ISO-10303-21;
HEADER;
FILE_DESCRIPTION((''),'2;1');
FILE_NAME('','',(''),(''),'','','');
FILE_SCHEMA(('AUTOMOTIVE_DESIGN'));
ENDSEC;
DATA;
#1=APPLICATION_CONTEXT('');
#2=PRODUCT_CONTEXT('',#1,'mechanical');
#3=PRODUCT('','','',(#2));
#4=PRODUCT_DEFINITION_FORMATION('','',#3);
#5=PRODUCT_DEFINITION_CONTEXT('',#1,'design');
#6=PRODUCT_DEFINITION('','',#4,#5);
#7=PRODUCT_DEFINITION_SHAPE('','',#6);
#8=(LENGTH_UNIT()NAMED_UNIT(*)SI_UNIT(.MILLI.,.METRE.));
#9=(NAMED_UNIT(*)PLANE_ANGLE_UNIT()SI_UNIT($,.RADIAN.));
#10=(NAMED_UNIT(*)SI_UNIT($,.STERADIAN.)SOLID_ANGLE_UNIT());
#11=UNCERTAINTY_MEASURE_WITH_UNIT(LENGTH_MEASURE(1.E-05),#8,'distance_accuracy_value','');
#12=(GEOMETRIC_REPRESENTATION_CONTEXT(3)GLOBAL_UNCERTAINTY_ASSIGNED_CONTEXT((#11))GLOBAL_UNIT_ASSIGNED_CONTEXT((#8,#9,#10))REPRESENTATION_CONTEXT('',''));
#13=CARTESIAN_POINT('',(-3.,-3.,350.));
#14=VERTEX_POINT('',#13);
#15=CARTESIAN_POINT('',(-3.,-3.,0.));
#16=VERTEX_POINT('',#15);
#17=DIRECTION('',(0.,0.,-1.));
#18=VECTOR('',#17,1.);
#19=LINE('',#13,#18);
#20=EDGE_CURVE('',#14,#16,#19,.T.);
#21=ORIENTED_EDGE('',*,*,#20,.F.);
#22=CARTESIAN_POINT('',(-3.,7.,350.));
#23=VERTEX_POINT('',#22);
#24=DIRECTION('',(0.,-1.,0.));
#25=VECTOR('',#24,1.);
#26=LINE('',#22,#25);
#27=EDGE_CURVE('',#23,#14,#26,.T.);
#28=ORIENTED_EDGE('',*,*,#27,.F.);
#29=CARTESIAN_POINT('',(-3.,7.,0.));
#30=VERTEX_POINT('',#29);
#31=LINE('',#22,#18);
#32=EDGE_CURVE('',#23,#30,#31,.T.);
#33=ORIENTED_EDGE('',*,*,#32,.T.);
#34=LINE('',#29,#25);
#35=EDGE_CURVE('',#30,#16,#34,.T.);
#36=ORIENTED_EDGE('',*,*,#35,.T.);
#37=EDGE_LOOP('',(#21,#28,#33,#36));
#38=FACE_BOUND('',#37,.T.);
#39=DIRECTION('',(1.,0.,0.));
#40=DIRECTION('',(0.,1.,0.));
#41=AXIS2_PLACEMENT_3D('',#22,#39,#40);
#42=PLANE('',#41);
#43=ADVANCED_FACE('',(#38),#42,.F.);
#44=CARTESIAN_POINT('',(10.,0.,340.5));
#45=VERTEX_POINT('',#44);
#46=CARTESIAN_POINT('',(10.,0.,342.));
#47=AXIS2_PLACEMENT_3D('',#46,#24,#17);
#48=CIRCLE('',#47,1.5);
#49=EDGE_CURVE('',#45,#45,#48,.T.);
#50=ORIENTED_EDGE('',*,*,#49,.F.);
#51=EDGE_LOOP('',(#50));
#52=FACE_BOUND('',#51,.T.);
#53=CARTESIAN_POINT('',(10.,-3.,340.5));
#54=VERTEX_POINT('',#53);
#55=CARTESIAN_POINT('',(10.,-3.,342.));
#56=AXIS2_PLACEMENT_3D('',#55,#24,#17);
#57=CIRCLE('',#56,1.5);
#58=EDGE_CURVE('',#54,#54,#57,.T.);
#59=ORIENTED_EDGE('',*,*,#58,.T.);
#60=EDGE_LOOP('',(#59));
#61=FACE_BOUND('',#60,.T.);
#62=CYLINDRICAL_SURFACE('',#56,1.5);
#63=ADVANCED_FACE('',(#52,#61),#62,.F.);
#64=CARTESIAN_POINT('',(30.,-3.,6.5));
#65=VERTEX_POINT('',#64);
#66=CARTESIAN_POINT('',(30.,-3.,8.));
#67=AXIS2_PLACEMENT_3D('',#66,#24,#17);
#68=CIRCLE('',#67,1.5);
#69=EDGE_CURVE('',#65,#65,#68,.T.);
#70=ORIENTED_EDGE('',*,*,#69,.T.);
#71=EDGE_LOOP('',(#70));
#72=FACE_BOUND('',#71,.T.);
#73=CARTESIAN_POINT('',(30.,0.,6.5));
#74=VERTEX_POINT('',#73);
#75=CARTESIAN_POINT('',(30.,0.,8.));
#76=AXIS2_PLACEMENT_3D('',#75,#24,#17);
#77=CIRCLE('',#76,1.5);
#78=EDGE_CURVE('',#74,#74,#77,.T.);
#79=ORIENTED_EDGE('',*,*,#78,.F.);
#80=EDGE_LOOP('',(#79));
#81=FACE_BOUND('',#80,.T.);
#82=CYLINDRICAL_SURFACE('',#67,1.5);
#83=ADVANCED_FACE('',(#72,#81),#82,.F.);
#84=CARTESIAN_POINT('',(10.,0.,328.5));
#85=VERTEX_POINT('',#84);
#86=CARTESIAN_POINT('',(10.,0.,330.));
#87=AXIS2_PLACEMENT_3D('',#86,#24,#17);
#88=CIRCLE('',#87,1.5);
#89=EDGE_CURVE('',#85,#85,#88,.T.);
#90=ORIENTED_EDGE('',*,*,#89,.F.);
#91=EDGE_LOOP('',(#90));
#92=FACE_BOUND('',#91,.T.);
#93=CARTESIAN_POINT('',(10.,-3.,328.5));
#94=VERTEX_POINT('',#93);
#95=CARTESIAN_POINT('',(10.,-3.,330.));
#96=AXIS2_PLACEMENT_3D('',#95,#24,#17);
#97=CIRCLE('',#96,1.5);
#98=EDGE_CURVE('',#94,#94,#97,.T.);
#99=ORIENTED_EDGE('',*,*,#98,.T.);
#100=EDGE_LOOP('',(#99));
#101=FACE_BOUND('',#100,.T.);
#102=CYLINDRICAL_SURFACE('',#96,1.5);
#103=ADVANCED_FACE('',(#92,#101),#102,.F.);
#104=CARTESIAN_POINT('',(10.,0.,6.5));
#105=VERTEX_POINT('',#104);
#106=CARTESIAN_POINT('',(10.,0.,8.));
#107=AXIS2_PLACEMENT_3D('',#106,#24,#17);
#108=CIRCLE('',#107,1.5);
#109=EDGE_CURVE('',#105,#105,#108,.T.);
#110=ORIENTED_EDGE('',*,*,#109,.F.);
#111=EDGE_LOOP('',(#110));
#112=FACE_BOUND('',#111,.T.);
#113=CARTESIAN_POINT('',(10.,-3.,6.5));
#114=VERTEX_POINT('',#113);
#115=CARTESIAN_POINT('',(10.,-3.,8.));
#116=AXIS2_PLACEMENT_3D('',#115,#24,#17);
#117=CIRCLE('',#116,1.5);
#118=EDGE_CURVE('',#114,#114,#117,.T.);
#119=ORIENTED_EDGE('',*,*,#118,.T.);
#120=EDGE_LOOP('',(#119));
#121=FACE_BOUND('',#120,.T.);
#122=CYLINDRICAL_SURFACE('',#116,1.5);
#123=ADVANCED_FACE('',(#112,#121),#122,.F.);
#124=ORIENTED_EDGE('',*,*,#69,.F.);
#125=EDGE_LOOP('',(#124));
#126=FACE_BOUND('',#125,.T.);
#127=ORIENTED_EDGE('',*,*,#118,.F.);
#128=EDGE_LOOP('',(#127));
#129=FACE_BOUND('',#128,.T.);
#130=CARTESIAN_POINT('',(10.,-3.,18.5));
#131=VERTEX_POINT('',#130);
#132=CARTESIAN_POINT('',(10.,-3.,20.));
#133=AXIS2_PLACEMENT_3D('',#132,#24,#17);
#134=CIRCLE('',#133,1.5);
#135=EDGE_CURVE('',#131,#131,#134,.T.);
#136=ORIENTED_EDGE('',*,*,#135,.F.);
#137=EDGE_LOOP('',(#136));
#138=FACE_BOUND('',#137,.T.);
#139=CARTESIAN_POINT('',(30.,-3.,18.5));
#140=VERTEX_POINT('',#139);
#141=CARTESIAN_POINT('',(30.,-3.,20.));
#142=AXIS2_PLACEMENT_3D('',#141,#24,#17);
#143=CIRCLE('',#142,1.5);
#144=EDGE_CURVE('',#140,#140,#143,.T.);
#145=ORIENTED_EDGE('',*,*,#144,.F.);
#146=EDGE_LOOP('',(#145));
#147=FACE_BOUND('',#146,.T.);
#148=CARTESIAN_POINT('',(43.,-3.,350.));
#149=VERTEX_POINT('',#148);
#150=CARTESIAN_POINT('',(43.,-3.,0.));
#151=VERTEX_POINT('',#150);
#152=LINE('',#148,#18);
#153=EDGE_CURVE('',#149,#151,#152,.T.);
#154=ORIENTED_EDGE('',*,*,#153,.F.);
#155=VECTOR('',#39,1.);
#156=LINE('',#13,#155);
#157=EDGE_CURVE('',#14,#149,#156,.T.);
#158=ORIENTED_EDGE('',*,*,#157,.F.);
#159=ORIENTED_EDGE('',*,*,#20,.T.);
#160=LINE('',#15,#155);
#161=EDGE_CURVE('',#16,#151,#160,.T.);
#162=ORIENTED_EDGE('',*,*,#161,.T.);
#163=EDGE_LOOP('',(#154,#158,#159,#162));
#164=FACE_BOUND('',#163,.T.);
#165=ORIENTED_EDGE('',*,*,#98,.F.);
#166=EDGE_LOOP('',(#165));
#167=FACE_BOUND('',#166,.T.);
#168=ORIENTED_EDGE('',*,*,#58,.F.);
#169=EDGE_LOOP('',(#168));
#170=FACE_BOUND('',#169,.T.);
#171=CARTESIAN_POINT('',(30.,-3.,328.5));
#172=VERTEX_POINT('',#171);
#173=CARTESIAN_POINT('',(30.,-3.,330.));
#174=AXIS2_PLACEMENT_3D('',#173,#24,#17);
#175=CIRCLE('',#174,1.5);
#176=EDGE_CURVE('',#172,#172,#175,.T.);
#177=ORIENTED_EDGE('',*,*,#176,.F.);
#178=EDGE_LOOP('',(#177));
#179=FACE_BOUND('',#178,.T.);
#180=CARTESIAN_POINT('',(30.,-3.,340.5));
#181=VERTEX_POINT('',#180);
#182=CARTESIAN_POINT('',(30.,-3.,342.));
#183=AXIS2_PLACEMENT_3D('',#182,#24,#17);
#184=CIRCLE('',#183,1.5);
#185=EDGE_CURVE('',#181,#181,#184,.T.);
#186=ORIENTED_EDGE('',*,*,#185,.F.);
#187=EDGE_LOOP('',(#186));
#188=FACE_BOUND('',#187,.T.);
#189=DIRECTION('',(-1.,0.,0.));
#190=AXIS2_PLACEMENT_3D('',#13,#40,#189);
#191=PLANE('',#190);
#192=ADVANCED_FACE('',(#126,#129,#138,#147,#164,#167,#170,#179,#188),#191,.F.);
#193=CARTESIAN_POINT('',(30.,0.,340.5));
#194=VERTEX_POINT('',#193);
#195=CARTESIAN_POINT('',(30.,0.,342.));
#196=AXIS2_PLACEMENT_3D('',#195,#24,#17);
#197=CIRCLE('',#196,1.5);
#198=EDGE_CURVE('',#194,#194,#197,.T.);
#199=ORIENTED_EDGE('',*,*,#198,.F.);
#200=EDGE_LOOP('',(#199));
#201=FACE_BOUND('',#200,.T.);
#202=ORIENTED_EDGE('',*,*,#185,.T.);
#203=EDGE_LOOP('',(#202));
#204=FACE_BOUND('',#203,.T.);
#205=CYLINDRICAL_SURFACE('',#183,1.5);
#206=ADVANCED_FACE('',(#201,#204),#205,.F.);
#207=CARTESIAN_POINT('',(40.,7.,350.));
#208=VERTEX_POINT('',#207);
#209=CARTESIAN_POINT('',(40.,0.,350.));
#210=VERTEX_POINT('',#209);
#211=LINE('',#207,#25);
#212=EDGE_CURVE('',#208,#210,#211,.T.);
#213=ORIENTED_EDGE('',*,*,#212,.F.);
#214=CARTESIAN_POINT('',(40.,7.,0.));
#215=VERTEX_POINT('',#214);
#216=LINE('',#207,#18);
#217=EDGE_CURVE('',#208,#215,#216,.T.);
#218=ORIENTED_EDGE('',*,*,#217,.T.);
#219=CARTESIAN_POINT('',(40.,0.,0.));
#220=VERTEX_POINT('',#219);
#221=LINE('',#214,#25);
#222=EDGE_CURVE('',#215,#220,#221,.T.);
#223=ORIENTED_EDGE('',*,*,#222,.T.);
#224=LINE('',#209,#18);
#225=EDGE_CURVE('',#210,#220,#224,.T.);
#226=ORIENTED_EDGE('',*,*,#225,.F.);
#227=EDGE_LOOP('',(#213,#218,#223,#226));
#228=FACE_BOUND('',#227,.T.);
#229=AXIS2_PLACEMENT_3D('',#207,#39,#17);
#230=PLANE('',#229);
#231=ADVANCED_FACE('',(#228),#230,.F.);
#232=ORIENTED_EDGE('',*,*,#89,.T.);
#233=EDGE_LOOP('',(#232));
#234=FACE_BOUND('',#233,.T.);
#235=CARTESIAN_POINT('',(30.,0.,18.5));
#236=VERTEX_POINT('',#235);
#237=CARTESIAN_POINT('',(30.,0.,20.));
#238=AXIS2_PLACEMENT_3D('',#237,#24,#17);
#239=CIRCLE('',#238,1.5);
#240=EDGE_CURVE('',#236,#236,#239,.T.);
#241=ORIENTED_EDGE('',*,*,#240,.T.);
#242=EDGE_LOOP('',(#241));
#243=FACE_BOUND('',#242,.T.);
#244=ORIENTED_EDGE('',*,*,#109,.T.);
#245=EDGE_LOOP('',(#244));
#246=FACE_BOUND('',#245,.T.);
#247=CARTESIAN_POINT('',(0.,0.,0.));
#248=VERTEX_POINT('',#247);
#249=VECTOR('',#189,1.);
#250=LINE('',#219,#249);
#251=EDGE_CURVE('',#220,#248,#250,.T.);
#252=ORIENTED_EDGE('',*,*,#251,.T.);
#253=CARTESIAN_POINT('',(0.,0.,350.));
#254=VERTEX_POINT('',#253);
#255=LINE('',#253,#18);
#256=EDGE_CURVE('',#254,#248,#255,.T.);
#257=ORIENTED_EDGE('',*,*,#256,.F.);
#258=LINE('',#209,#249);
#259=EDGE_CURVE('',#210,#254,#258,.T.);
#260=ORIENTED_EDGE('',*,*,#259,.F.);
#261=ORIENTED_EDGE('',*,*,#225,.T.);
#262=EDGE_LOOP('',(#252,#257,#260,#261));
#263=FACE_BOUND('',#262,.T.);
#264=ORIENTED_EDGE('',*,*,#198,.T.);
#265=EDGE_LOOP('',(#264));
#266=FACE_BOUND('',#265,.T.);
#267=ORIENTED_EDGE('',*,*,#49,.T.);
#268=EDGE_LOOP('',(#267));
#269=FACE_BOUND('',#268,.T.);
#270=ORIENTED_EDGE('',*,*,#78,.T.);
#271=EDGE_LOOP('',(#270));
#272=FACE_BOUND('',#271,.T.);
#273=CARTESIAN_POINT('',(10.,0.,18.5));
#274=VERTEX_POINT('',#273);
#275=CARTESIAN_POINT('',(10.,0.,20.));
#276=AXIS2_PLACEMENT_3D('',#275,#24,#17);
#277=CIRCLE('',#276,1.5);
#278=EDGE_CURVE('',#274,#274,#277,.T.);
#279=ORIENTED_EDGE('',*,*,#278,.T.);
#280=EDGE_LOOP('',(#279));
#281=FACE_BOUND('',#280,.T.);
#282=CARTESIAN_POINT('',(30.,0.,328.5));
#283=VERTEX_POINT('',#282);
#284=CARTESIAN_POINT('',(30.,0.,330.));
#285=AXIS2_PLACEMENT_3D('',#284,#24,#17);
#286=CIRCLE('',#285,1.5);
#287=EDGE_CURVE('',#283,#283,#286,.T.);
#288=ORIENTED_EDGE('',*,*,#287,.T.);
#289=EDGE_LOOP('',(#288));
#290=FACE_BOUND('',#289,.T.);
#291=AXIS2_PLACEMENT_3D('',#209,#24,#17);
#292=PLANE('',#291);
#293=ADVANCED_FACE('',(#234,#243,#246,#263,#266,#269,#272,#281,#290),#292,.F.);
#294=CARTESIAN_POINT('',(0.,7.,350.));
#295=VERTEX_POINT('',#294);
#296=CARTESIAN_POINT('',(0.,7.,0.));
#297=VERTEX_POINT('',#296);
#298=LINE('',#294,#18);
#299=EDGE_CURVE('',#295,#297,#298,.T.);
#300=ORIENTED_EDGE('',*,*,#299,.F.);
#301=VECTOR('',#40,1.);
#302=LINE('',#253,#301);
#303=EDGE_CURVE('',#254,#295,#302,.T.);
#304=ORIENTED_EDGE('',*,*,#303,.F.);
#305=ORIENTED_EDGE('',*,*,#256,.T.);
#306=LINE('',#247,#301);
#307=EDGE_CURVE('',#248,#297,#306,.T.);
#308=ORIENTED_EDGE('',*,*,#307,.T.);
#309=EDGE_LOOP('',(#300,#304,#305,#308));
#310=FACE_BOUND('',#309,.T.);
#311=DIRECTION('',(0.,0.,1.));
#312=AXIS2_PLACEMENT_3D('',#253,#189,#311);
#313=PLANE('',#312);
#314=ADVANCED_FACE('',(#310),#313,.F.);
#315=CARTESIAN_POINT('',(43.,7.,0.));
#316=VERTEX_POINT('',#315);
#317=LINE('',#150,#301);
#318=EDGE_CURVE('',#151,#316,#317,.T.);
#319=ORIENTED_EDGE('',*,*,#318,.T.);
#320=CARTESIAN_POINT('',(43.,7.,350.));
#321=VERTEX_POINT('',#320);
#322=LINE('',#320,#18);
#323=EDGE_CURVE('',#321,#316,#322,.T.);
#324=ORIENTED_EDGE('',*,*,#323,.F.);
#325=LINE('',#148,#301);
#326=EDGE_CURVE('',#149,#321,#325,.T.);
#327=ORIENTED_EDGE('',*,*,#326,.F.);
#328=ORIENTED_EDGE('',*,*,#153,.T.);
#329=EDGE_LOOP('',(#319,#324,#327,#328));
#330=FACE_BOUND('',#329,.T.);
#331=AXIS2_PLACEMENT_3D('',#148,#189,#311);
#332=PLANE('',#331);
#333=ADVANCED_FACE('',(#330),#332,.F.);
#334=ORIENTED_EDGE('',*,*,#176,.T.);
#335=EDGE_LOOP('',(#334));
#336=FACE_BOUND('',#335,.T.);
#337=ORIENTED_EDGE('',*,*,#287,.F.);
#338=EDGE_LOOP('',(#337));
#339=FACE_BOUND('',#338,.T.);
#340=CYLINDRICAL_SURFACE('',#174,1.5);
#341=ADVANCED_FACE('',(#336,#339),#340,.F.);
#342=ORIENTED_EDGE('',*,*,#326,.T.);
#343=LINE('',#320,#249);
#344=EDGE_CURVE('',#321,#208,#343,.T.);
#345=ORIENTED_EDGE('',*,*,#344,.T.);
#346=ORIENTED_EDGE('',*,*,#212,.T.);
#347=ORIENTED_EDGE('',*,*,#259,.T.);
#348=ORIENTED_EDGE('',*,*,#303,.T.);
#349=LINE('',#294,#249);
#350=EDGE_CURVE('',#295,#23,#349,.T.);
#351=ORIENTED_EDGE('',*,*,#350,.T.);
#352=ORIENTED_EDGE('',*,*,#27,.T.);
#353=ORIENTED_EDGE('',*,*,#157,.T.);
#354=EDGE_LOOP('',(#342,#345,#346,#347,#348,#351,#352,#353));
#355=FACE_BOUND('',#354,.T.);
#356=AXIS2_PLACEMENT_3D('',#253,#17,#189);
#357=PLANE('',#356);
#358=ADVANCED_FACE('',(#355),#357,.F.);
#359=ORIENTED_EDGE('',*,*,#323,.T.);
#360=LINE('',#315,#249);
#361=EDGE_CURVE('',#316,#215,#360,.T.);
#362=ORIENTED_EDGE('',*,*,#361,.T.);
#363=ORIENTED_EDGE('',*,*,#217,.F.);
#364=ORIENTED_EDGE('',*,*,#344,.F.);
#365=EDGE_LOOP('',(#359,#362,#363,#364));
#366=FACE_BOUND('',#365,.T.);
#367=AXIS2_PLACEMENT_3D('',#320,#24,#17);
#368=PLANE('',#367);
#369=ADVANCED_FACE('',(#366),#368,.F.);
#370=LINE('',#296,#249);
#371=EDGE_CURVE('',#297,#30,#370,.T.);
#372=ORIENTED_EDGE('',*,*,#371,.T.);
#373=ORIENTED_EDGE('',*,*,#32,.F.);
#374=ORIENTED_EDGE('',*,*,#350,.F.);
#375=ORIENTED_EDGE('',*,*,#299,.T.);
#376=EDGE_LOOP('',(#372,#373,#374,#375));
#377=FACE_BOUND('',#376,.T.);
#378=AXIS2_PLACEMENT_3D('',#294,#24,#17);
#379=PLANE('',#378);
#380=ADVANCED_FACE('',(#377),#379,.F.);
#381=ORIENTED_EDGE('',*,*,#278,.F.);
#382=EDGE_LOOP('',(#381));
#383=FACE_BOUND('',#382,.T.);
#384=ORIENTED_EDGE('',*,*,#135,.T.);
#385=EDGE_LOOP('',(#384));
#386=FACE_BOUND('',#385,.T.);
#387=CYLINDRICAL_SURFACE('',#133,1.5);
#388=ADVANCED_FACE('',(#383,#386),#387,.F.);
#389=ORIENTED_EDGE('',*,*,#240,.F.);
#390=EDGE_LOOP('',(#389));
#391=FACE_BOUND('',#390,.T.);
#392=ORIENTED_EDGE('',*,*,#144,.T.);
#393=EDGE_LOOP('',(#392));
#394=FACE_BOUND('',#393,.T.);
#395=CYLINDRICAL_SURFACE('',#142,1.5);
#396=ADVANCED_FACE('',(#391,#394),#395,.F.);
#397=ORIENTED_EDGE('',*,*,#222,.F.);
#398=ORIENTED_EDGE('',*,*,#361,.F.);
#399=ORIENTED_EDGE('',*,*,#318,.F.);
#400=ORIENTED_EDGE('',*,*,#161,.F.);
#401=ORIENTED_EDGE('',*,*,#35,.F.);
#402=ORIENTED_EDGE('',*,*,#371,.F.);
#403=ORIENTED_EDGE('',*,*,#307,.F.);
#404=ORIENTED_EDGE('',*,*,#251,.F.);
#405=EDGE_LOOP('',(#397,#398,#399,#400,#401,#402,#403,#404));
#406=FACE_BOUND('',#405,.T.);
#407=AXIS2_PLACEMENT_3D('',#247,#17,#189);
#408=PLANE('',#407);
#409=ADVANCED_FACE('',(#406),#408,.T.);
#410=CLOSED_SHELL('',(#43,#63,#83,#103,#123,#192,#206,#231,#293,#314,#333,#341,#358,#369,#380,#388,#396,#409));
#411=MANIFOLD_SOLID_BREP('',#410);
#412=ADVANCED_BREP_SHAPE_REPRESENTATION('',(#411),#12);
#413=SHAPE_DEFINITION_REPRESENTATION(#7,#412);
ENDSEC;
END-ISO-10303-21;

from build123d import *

# Parameters (mm, degrees)
BOSS_EXTRUDE1_DEPTH            = 350
F_3_0MM_DOWEL_HOLE1_AT_2_COUNT = 2
F_3_0MM_DOWEL_HOLE1_AT_2_PITCH = 20
F_3_0MM_DOWEL_HOLE1_AT_3_COUNT = 2
F_3_0MM_DOWEL_HOLE1_AT_3_PITCH = 23.323807579
F_3_0MM_DOWEL_HOLE1_AT_4_COUNT = 2
F_3_0MM_DOWEL_HOLE1_AT_4_PITCH = 12


with BuildPart() as part:
    # Sketch2 → Boss-Extrude1 (new body)
    with BuildSketch(Plane.XY):
        Polygon((0, 0), (0, 7), (-3, 7), (-3, -3), (43, -3), (43, 7), (40, 7), (40, 0), align=None)
    extrude(amount=BOSS_EXTRUDE1_DEPTH)

    # Sketch3 → Ø3.0mm Dowel Hole1 (revolve, cut)
    with BuildSketch(Plane(origin=(10, -3, 342), x_dir=(0, 0, -1), z_dir=(1, 0, 0))):
        Polygon((0, 0), (0, 15.901290929), (1.5, 15), (1.5, 0), align=None)
    f_3_0mm_dowel_hole1 = revolve(axis=Axis((10, -9.35, 342), (0, 1, 0)), mode=Mode.SUBTRACT)

    # Ø3.0mm Dowel Hole1 at 2: Ø3.0mm Dowel Hole1 ×2
    with Locations(*[(i * F_3_0MM_DOWEL_HOLE1_AT_2_PITCH, 0, 0) for i in range(1, F_3_0MM_DOWEL_HOLE1_AT_2_COUNT)]):
        add(f_3_0mm_dowel_hole1, mode=Mode.SUBTRACT)

    # Ø3.0mm Dowel Hole1 at 3: Ø3.0mm Dowel Hole1 ×2
    with Locations(*[Vector(0.857492926, 0, -0.514495755) * (i * F_3_0MM_DOWEL_HOLE1_AT_3_PITCH) for i in range(1, F_3_0MM_DOWEL_HOLE1_AT_3_COUNT)]):
        add(f_3_0mm_dowel_hole1, mode=Mode.SUBTRACT)

    # Ø3.0mm Dowel Hole1 at 4: Ø3.0mm Dowel Hole1 ×2
    with Locations(*[(0, 0, -i * F_3_0MM_DOWEL_HOLE1_AT_4_PITCH) for i in range(1, F_3_0MM_DOWEL_HOLE1_AT_4_COUNT)]):
        add(f_3_0mm_dowel_hole1, mode=Mode.SUBTRACT)

    # Mirror1: Ø3.0mm Dowel Hole1 across plane
    add(f_3_0mm_dowel_hole1.mirror(Plane.XY.offset(175)), mode=Mode.SUBTRACT)

    # Mirror1 copy 1 sketch → Mirror1 copy 1 (revolve, cut)
    with BuildSketch(Plane(origin=(30, -3, 8), x_dir=(0, 0, 1), z_dir=(1, 0, 0))):
        Polygon((0, 0), (0, -15.901290929), (1.5, -15), (1.5, 0), align=None)
    revolve(axis=Axis((30, -9.35, 8), (0, -1, 0)), mode=Mode.SUBTRACT)

    # Mirror1 copy 2 sketch → Mirror1 copy 2 (revolve, cut)
    with BuildSketch(Plane(origin=(30, -3, 20), x_dir=(0, 0, 1), z_dir=(1, 0, 0))):
        Polygon((0, 0), (0, -15.901290929), (1.5, -15), (1.5, 0), align=None)
    revolve(axis=Axis((30, -9.35, 20), (0, -1, 0)), mode=Mode.SUBTRACT)

    # Mirror1 copy 3 sketch → Mirror1 copy 3 (revolve, cut)
    with BuildSketch(Plane(origin=(10, -3, 20), x_dir=(0, 0, 1), z_dir=(1, 0, 0))):
        Polygon((0, 0), (0, -15.901290929), (1.5, -15), (1.5, 0), align=None)
    revolve(axis=Axis((10, -9.35, 20), (0, -1, 0)), mode=Mode.SUBTRACT)


solid = part.part
